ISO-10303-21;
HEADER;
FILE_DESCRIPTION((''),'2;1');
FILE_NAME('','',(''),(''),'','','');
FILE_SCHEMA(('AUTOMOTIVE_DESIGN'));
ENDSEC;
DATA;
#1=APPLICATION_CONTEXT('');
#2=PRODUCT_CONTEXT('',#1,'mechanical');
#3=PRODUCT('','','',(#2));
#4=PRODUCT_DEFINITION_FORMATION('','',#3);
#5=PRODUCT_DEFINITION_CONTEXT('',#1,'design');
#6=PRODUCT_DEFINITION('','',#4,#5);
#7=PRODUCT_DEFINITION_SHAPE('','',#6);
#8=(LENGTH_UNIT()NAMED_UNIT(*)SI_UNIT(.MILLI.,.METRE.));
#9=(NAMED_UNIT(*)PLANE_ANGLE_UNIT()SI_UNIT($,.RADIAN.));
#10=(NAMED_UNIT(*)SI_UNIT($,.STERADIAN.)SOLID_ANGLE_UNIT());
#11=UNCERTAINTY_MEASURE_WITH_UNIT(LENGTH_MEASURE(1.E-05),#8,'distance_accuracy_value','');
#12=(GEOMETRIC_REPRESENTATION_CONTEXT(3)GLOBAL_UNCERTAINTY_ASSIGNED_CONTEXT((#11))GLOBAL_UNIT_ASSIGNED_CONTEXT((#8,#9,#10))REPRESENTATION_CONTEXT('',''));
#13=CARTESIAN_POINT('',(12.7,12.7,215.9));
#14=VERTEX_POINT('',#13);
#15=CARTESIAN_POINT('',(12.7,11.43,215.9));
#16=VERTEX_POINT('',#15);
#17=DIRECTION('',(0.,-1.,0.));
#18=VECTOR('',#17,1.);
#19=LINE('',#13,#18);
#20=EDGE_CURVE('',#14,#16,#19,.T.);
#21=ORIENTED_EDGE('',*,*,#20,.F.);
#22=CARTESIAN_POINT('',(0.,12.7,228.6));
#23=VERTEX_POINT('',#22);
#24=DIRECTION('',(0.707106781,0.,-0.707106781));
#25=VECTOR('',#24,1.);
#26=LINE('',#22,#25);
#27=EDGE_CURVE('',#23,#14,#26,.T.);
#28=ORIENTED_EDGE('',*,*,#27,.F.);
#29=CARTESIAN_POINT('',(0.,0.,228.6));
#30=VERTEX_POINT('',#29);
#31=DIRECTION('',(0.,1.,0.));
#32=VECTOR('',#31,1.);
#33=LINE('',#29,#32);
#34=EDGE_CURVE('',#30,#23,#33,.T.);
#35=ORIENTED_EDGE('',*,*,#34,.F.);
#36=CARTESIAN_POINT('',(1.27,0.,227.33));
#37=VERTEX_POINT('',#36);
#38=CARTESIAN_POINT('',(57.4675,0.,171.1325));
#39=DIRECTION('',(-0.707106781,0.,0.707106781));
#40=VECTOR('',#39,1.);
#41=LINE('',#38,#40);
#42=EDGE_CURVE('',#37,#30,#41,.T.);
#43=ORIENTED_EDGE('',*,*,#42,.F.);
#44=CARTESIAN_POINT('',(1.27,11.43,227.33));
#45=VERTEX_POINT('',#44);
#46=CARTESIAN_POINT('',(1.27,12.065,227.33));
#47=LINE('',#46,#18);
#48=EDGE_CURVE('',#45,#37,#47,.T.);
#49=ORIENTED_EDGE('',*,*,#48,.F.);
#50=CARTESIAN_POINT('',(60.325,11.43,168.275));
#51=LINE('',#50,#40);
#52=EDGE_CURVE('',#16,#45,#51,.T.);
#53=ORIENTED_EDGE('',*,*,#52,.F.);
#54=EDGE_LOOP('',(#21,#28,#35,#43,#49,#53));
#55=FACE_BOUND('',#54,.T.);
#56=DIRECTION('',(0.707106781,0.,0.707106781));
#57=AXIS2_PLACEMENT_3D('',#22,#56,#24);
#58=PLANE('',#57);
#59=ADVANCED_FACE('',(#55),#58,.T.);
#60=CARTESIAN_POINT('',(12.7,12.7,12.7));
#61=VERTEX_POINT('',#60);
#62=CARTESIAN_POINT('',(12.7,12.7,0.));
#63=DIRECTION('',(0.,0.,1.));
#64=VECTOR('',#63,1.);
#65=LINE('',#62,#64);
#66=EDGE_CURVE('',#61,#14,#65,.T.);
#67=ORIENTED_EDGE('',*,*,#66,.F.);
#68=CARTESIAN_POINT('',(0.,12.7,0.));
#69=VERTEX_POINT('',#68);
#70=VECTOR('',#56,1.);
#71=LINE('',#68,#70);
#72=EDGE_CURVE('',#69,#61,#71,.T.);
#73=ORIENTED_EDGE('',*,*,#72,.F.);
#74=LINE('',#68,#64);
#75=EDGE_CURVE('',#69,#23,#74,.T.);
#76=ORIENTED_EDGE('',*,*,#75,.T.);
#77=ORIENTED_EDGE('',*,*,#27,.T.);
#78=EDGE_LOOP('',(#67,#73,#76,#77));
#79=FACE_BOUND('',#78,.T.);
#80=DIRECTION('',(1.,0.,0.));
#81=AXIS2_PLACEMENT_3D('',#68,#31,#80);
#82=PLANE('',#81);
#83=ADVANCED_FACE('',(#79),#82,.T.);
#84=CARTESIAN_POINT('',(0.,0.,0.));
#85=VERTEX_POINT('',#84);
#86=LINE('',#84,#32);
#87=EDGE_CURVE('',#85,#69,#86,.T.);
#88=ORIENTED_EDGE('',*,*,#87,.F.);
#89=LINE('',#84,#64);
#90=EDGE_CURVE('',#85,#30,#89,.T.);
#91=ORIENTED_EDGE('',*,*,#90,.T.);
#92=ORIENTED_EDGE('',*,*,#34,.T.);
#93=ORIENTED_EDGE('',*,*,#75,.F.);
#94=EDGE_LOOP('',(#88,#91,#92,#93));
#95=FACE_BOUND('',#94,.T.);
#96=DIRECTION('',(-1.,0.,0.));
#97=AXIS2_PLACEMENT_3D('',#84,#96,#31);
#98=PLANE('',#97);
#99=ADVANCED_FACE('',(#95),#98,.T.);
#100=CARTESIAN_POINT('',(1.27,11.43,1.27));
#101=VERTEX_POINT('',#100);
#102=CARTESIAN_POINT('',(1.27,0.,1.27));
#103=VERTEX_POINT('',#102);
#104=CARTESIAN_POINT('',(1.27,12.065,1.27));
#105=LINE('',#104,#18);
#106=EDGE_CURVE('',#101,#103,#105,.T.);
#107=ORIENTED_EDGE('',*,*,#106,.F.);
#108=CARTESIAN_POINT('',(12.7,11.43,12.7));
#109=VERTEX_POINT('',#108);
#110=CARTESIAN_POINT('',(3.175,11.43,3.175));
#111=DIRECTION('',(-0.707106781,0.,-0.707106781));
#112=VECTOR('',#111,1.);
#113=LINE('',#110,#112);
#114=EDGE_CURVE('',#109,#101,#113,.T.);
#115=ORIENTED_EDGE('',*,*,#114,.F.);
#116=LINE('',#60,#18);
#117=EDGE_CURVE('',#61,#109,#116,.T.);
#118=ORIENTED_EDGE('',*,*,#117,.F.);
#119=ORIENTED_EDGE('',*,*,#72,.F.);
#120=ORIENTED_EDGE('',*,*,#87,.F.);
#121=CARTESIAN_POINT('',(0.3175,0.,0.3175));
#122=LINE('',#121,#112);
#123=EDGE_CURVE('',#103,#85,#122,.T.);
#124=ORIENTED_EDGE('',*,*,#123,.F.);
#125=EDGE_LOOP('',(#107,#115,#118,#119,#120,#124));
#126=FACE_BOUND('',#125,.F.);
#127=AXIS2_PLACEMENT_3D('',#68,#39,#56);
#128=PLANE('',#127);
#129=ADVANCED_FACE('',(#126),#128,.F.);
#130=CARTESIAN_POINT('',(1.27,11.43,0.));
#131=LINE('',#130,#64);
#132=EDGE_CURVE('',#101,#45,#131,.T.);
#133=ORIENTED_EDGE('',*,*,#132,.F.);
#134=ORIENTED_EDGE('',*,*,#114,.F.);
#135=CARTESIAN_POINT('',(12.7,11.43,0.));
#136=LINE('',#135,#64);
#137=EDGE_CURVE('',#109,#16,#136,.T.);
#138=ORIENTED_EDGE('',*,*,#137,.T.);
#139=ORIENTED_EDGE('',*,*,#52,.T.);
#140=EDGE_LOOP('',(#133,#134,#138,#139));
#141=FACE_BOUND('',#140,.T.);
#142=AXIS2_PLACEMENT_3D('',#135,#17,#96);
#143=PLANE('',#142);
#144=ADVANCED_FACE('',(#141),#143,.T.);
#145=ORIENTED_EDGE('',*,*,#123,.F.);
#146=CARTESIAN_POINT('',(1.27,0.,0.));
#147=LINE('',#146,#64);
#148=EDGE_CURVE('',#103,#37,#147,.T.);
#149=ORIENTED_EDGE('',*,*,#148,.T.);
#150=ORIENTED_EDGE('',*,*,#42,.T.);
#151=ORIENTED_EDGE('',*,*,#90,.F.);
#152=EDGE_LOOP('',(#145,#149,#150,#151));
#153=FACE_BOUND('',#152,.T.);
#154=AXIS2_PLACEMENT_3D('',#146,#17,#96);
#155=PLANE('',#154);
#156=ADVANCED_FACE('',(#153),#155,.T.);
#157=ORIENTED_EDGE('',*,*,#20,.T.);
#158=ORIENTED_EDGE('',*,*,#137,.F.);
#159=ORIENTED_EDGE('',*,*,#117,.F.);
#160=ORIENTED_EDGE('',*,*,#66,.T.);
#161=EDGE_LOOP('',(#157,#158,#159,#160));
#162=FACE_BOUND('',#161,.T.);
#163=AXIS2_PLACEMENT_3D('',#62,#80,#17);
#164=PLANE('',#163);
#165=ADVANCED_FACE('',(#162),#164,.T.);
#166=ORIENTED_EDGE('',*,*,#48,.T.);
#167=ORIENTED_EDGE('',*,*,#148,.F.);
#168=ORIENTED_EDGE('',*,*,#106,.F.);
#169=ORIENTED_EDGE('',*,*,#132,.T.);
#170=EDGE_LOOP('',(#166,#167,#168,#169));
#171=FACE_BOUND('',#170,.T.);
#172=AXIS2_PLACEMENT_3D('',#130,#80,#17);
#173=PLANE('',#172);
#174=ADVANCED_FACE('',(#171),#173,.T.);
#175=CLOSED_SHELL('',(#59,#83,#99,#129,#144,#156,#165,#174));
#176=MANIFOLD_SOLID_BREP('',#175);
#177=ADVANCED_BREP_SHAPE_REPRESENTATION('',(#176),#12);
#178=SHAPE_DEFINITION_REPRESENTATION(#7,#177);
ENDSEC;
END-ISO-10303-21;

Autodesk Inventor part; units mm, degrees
ref_plane "YZ Plane" through (0, 0, 0) normal (1, 0, 0) x (0, 1, 0)
ref_plane "XZ Plane" through (0, 0, 0) normal (0, 1, 0) x (-1, 0, 0)
ref_plane "XY Plane" through (0, 0, 0) normal (0, 0, 1) x (1, 0, 0)
sketch "Sketch1" plane through (0, 0, 0) normal (0, 0, 1) x (1, 0, 0)
  line L0 (0, 0) -> (0, 12.7)
  line L1 (0, 12.7) -> (12.7, 12.7)
  line L2 (12.7, 12.7) -> (12.7, 11.43)
  line L3 (12.7, 11.43) -> (1.27, 11.43)
  line L4 (1.27, 11.43) -> (1.27, 0)
  line L5 (1.27, 0) -> (0, 0)
  dimension "d0" = 12.7
  dimension "d1" = 12.7
  dimension "d2" = 1.27
  dimension "d3" = 11.43
extrude "Extrusion1" add sketch "Sketch1" along normal blind 228.6
sketch "Sketch2" plane through (0, 12.7, 0) normal (0, 1, 0) x (1, 0, 0)
  line L0 (0, 0) -> (12.7, 0) projected
  line L1 (12.7, -228.6) -> (0, -228.6) projected
  line L2 (12.7, 0) -> (12.7, -228.6) projected
  line L3 (0, -228.6) -> (12.7, -215.9)
  line L4 (0, 0) -> (12.7, -12.7)
  dimension "d6" = 45
  dimension "d7" = 45
extrude "Extrusion2" cut sketch "Sketch2" against normal blind 228.6
properties part number "Aluminum Angle 2" material "Aluminum 6061"
